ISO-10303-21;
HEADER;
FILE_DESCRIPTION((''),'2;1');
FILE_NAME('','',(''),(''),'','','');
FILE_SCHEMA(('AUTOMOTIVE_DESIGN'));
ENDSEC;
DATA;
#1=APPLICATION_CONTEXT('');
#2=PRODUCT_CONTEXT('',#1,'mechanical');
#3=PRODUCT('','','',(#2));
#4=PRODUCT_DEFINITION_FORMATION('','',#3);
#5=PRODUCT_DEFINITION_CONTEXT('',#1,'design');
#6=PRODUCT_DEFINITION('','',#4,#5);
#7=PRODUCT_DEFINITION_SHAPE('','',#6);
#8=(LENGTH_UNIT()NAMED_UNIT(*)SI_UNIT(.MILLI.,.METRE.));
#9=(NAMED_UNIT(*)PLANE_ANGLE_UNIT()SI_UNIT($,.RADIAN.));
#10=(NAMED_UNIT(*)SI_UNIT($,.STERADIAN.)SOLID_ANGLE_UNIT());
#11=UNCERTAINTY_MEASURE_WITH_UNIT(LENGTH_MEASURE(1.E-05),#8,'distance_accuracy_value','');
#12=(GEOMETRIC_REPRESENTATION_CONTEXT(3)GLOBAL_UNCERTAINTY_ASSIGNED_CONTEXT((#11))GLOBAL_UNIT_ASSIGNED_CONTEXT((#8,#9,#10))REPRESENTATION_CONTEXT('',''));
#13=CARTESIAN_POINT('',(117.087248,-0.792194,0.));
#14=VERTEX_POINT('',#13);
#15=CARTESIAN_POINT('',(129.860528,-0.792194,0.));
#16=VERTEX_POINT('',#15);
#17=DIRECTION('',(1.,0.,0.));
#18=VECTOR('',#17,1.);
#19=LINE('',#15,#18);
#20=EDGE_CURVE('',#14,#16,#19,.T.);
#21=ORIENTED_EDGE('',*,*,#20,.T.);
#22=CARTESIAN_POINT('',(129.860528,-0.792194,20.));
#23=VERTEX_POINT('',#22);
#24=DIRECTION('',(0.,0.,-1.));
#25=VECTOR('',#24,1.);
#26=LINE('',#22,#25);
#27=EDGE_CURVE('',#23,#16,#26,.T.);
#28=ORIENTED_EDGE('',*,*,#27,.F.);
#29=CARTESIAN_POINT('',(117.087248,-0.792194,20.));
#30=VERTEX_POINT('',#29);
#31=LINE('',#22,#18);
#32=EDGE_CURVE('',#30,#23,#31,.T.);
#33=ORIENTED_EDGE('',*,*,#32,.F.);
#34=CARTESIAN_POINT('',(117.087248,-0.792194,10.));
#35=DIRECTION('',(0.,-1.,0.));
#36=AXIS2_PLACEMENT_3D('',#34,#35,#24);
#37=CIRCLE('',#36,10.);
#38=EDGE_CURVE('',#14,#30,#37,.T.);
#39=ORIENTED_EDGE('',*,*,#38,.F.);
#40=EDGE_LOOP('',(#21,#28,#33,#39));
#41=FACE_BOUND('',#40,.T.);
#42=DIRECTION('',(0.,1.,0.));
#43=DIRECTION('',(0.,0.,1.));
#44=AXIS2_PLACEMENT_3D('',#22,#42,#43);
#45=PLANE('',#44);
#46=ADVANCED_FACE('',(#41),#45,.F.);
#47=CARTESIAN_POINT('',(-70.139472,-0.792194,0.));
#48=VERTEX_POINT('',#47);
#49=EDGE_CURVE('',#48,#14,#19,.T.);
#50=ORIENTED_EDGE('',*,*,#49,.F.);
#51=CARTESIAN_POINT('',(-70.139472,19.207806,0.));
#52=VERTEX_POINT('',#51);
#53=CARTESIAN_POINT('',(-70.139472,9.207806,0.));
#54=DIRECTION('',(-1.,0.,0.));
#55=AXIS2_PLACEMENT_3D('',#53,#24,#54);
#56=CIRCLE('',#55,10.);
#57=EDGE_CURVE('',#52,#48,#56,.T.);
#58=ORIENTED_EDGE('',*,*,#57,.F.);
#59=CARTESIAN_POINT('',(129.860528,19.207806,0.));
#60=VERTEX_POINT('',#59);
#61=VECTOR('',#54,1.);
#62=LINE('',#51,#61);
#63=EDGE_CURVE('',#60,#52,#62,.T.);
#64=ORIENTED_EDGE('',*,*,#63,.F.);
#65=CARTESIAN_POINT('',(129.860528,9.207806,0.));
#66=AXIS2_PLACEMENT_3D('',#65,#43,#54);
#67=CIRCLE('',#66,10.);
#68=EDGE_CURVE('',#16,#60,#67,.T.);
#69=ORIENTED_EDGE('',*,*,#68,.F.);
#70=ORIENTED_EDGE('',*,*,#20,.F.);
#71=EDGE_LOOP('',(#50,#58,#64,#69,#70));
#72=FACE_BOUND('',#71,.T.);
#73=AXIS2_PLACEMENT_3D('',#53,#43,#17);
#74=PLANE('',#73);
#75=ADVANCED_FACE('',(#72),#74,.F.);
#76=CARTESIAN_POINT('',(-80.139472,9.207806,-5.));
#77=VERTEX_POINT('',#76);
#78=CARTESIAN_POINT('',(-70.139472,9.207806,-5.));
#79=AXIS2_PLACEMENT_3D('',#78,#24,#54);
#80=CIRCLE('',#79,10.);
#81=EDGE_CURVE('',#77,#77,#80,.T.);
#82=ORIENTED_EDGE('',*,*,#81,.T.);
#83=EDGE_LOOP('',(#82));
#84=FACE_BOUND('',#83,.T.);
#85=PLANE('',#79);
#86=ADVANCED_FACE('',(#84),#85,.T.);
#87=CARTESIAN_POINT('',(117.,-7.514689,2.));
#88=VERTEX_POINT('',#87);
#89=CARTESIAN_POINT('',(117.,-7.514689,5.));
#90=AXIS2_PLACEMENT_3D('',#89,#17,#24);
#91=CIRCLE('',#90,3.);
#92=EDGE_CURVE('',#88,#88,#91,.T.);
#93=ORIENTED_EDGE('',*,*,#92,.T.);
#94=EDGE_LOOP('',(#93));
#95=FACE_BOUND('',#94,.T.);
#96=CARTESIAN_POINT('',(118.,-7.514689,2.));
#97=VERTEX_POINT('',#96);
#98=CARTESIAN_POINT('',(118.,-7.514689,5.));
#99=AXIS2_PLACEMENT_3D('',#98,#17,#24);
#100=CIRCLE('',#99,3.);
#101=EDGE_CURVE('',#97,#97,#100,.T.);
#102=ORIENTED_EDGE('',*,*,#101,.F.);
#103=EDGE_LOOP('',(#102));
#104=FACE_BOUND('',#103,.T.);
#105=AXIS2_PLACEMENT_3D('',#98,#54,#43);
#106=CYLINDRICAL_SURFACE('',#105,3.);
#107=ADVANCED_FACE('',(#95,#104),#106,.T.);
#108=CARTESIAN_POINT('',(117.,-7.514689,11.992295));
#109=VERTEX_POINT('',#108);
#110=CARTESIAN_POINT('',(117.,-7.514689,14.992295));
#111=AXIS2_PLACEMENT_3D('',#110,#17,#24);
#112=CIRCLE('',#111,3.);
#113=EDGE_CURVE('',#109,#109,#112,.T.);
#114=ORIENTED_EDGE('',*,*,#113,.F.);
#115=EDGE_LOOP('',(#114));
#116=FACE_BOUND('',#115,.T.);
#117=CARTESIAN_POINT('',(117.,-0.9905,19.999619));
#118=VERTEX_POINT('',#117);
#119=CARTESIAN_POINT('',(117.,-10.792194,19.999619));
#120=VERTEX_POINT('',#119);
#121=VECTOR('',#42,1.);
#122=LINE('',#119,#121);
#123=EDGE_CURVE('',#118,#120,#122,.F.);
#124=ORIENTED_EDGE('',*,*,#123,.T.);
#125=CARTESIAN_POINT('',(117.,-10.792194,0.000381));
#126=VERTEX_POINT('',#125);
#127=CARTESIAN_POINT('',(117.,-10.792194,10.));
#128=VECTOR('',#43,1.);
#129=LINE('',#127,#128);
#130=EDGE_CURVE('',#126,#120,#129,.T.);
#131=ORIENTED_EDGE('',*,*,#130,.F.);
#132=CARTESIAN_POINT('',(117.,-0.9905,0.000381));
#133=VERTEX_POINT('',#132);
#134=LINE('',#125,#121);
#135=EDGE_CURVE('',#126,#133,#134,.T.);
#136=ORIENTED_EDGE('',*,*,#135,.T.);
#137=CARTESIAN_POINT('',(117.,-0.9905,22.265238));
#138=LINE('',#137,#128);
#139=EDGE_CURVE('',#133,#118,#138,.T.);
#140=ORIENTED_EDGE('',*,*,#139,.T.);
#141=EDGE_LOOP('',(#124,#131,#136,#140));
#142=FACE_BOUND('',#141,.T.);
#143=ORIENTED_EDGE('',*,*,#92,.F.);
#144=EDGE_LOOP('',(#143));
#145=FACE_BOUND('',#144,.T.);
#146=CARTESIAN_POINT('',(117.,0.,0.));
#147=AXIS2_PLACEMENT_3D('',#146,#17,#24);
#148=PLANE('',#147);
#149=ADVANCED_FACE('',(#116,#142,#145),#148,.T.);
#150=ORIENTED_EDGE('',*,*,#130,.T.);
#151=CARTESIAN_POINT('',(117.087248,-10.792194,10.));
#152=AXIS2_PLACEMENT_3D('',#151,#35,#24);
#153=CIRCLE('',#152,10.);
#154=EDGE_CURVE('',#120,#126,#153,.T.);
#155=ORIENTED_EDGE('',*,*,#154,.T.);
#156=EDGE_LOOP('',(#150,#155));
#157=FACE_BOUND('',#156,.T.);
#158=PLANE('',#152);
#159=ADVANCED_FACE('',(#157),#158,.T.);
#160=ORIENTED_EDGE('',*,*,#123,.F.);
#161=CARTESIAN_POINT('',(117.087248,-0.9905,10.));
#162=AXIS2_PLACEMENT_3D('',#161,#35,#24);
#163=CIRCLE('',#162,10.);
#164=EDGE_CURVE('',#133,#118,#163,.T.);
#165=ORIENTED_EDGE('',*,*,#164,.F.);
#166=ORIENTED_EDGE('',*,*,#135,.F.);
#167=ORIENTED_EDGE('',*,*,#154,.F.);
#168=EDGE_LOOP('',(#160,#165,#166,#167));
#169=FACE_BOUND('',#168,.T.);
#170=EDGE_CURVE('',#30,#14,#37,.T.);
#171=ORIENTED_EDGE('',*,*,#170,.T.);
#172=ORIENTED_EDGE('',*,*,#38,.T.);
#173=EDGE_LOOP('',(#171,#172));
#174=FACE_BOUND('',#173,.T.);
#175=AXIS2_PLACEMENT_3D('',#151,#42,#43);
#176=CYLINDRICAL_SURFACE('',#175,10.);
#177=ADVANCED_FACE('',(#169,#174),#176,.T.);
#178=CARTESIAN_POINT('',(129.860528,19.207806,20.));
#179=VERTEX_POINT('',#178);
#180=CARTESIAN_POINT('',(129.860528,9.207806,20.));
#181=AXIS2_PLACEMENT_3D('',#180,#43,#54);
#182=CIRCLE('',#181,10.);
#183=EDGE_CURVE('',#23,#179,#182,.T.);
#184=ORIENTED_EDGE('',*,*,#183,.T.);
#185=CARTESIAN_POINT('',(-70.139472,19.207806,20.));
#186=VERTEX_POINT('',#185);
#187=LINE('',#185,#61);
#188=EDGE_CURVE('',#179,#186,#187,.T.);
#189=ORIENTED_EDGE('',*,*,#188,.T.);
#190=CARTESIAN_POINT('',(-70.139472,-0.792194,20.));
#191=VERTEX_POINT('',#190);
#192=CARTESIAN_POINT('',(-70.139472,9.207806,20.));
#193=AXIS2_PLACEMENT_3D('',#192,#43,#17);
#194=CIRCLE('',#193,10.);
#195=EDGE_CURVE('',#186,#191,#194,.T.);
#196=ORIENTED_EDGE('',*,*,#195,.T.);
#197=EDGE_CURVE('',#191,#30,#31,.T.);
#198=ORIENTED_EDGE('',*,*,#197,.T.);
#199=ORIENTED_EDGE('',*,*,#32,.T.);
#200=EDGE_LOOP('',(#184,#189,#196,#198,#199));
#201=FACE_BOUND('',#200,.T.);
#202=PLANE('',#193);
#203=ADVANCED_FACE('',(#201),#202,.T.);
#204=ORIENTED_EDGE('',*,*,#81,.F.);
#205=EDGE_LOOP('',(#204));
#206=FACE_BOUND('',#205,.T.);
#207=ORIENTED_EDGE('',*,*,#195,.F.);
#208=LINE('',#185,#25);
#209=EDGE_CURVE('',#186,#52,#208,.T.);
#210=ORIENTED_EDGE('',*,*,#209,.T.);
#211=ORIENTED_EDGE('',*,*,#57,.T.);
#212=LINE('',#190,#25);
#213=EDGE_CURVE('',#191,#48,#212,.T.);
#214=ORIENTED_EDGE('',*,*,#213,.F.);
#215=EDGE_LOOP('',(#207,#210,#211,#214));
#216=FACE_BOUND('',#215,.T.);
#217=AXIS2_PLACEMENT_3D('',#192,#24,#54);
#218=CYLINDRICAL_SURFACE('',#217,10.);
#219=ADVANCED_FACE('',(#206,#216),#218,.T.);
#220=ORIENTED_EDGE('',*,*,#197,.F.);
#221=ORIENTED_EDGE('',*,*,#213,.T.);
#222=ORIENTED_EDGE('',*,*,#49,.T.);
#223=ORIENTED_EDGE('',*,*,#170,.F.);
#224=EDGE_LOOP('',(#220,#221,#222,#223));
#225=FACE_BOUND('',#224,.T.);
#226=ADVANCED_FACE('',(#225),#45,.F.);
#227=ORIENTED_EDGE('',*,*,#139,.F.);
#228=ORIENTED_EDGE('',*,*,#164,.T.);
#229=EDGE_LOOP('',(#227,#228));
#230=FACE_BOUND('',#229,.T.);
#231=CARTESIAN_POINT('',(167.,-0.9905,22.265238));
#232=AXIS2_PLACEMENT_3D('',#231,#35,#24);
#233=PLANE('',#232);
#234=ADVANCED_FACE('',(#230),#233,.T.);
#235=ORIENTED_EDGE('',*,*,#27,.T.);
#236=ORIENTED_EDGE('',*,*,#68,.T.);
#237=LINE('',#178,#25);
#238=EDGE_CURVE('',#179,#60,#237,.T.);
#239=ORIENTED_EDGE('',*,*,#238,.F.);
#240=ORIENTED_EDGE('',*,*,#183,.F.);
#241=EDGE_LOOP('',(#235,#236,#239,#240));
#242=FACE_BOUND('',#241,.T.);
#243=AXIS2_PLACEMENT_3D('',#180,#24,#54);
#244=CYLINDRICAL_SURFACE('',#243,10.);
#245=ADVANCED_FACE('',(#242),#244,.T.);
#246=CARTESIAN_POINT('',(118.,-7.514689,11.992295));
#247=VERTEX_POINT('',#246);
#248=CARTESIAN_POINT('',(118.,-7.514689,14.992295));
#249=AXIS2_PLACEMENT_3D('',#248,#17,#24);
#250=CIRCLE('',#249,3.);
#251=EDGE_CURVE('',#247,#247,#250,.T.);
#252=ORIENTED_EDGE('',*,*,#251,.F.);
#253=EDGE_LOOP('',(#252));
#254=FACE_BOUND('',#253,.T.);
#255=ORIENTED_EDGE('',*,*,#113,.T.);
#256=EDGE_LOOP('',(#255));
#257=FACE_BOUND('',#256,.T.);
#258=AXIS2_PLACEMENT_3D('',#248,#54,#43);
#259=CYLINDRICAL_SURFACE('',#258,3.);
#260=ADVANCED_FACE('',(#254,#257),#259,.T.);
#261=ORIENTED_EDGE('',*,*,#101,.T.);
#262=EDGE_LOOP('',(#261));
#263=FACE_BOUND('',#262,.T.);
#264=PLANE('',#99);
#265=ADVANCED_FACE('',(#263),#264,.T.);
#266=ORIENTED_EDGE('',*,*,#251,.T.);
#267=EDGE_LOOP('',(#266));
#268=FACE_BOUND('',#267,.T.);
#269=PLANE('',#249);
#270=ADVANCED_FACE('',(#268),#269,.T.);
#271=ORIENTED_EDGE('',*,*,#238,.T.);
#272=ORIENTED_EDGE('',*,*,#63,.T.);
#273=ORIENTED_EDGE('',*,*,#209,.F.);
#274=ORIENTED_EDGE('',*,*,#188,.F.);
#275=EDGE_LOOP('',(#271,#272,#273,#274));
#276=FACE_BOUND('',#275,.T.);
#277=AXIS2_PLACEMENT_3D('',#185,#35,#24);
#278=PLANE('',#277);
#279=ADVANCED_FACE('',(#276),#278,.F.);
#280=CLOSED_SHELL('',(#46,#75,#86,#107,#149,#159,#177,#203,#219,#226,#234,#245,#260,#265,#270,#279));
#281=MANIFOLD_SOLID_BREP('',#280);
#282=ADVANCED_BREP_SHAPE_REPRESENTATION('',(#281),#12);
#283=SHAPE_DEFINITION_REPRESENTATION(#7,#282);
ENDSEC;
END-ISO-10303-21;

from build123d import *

# Parameters (mm, degrees)
BOSS_EXTRUDE1_DEPTH = 20
SKETCH4_R           = 10
BOSS_EXTRUDE3_DEPTH = 10
SKETCH5_W           = 23.907996497
SKETCH5_H           = 10.22824498
CUT_EXTRUDE2_DEPTH  = 50
BOSS_EXTRUDE4_START = 5
SKETCH7_R           = 10
BOSS_EXTRUDE4_DEPTH = 5
SKETCH11_R          = 3
BOSS_EXTRUDE7_DEPTH = 1


with BuildPart() as part:
    # Sketch2 → Boss-Extrude1 (new body)
    with BuildSketch(Plane.XY):
        with BuildLine():
            Line((-70.139472481, 19.207806068), (129.860527519, 19.207806068))
            ThreePointArc((129.860527519, 19.207806068), (136.931595331, 16.27887388), (139.860527519, 9.207806068))
            ThreePointArc((139.860527519, 9.207806068), (136.931595331, 2.136738256), (129.860527519, -0.792193932))
            Line((129.860527519, -0.792193932), (-70.139472481, -0.792193932))
            ThreePointArc((-70.139472481, -0.792193932), (-77.210540292, 2.136738256), (-80.139472481, 9.207806068))
            ThreePointArc((-80.139472481, 9.207806068), (-77.210540292, 16.27887388), (-70.139472481, 19.207806068))
        make_face()
    extrude(amount=BOSS_EXTRUDE1_DEPTH)

    # Sketch4 → Boss-Extrude3 (add)
    with BuildSketch(Plane.XZ.offset(0.792193932)):
        with Locations(Location((117.087248421, 10, 0), (0, 0, 270))):
            Circle(SKETCH4_R)
    extrude(amount=BOSS_EXTRUDE3_DEPTH)

    # Sketch5 → Cut-Extrude2 (cut)
    with BuildSketch(Plane(origin=(117, 0, 0), x_dir=(0, 0, -1), z_dir=(1, 0, 0))):
        with Locations((-10.311239758, -6.104621998)):
            Rectangle(SKETCH5_W, SKETCH5_H)
    extrude(amount=CUT_EXTRUDE2_DEPTH, mode=Mode.SUBTRACT)

    # Sketch7 → Boss-Extrude4 (add)
    with BuildSketch(Plane(origin=(0, 0, 0), x_dir=(-1, 0, 0), z_dir=(0, 0, -1)).offset(BOSS_EXTRUDE4_START)):
        with Locations((70.139472481, 9.207806068)):
            Circle(SKETCH7_R)
    extrude(amount=-BOSS_EXTRUDE4_DEPTH)

    # Sketch11 → Boss-Extrude7 (add)
    with BuildSketch(Plane(origin=(117, 0, 0), x_dir=(0, 0, -1), z_dir=(1, 0, 0))):
        with Locations((-14.992294677, -7.514688693)):
            Circle(SKETCH11_R)
        with Locations((-5, -7.514688693)):
            Circle(SKETCH11_R)
    extrude(amount=BOSS_EXTRUDE7_DEPTH)


solid = part.part
